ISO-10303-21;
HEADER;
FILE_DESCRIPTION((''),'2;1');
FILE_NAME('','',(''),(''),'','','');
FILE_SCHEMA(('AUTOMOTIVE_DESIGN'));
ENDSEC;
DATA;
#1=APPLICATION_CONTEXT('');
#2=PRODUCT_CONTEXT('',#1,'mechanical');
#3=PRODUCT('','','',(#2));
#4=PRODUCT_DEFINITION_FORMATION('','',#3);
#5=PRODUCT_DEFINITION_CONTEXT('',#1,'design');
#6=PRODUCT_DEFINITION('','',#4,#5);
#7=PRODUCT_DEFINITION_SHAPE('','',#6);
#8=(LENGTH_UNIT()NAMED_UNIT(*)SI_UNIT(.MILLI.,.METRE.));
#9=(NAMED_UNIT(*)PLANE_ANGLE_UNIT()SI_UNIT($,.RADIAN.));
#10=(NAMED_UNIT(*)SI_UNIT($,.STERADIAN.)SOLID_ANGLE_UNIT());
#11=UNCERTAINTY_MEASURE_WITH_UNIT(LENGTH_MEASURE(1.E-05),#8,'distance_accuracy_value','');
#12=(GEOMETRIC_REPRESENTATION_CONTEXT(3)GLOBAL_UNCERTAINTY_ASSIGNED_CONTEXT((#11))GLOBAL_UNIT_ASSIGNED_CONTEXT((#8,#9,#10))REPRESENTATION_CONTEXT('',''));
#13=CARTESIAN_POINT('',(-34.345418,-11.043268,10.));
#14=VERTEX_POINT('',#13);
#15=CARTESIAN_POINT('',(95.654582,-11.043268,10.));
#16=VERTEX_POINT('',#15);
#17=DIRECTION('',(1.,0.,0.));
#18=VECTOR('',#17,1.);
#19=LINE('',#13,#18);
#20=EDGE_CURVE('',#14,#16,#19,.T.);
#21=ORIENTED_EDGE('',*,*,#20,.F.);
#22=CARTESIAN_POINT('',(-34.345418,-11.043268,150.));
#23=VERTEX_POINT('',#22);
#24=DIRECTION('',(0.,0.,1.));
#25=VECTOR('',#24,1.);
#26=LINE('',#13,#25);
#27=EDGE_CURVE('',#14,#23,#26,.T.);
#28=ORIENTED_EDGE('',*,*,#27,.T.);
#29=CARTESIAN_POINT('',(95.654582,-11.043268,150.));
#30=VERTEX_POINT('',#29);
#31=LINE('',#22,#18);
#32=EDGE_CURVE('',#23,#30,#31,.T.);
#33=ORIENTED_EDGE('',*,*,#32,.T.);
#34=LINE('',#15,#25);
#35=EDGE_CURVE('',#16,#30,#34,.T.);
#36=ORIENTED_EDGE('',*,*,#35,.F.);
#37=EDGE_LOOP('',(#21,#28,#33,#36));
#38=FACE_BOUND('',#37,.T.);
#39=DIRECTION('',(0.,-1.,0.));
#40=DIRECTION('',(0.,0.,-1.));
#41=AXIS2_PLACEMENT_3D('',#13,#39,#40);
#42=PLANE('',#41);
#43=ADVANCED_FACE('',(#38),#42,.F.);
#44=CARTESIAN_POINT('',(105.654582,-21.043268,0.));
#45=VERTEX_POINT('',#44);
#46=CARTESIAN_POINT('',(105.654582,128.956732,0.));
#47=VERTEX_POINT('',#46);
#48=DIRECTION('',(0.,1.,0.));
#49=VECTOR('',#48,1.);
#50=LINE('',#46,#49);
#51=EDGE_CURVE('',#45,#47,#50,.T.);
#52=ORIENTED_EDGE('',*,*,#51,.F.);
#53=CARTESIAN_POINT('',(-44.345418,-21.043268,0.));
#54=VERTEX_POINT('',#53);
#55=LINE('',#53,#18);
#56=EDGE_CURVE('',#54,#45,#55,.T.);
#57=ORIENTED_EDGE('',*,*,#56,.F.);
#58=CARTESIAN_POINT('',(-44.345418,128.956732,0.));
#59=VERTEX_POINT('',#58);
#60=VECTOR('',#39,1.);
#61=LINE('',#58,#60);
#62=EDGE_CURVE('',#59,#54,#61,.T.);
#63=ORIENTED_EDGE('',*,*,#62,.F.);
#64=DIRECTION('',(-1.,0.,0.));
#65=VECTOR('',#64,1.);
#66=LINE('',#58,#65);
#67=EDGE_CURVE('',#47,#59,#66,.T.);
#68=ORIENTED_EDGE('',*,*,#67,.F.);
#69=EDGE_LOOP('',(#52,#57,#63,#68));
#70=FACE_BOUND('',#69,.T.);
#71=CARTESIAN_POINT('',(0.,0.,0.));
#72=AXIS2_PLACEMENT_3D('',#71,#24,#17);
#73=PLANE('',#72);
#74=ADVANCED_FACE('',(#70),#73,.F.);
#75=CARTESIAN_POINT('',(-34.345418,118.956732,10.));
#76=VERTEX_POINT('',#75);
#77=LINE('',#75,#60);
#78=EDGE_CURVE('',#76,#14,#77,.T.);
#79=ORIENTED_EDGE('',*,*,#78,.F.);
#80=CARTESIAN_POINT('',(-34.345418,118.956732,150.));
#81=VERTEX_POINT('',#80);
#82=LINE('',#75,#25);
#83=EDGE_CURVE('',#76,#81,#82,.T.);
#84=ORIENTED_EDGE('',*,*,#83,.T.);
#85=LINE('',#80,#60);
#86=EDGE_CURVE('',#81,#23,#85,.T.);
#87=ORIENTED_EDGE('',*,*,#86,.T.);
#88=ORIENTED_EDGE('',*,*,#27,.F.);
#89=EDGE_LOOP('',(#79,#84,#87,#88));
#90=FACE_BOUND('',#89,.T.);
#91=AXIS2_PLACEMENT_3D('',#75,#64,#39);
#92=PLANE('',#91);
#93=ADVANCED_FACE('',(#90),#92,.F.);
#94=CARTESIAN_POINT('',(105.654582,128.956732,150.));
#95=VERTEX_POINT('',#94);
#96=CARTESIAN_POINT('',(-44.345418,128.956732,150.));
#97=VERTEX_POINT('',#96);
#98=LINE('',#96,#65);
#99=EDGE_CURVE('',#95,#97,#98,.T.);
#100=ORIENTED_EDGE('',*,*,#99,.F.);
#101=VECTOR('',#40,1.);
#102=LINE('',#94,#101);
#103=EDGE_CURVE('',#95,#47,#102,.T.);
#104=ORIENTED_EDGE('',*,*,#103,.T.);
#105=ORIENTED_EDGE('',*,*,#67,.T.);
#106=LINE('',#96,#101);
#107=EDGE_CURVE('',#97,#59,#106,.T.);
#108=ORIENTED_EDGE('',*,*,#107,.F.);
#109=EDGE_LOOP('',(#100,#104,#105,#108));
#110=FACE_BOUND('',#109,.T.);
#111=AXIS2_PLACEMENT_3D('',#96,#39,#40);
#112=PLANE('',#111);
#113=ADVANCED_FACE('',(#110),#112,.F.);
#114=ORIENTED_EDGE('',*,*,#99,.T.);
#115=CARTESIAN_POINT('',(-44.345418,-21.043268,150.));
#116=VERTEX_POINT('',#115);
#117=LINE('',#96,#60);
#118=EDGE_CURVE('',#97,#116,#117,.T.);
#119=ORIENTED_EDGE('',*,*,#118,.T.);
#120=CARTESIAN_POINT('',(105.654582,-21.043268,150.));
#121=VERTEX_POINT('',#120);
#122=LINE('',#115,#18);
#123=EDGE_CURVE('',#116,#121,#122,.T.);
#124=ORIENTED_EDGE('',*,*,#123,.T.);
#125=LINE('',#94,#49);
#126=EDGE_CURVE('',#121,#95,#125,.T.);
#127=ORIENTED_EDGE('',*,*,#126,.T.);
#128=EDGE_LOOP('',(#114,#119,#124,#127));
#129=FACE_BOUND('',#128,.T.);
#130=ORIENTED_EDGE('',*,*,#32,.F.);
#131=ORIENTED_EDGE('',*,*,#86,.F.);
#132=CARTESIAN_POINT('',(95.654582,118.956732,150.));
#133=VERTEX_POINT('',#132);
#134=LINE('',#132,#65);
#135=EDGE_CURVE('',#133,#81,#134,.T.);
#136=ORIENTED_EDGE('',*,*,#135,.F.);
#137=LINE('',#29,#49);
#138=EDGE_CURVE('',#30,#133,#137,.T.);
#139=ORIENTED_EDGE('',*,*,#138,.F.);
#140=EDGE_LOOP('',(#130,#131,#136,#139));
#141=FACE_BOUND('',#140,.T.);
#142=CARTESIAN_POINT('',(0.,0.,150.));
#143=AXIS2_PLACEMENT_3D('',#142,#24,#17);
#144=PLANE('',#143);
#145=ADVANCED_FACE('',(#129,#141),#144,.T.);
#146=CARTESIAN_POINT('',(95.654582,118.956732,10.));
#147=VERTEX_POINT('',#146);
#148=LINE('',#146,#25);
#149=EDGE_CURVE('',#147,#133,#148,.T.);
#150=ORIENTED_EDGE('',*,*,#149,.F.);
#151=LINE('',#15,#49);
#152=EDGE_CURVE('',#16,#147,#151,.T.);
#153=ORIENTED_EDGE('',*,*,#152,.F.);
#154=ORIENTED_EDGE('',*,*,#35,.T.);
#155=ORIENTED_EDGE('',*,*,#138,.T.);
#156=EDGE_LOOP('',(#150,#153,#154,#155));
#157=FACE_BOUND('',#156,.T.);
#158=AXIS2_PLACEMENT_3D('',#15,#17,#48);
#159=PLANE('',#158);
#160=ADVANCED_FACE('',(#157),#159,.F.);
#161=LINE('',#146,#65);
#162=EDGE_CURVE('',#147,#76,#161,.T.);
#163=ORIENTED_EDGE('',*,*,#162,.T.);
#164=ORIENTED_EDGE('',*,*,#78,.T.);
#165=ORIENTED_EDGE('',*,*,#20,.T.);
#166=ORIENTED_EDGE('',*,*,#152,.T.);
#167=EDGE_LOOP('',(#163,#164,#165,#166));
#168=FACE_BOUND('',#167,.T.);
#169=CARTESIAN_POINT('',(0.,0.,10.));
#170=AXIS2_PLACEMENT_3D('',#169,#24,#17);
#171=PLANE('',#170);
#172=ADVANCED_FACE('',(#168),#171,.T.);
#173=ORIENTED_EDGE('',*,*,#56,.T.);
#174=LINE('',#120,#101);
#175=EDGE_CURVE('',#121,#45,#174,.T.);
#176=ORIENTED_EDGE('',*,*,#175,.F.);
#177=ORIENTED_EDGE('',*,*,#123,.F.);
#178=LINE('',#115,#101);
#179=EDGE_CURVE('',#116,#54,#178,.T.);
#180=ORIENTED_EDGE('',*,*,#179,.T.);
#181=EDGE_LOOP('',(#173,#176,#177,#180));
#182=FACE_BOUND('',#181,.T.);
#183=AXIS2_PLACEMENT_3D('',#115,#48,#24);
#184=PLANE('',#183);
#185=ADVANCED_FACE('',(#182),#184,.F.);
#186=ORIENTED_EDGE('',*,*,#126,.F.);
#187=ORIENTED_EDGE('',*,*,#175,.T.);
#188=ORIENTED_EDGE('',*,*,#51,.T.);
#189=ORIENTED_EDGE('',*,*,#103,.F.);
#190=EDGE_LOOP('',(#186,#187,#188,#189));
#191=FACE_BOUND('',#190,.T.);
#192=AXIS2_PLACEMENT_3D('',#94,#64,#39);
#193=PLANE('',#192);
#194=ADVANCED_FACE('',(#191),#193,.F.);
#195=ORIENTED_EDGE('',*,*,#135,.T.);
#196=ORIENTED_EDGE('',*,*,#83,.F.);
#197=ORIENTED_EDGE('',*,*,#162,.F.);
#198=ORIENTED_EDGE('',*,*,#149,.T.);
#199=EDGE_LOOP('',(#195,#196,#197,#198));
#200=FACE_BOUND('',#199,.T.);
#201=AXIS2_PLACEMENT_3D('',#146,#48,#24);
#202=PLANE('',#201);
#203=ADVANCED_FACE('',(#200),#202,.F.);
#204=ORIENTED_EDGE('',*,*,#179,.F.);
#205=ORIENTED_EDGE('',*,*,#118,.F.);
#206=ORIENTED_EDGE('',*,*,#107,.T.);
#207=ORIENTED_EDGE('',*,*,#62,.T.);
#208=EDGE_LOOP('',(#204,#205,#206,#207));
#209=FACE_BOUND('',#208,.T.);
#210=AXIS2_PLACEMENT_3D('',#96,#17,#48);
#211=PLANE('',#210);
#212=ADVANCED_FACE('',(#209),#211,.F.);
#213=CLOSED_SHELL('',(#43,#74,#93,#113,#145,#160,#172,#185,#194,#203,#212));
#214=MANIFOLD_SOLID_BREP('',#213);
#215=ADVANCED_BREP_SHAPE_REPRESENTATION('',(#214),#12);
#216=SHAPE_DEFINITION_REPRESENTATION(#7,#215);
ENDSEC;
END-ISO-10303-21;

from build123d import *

# Parameters (mm, degrees)
SKETCH1_W           = 150
SKETCH1_H           = 150
BOSS_EXTRUDE1_DEPTH = 150
SKETCH3_W           = 130
SKETCH3_H           = 130
CUT_EXTRUDE1_DEPTH  = 140


with BuildPart() as part:
    # Sketch1 → Boss-Extrude1 (new body)
    with BuildSketch(Plane.XY):
        with Locations((30.654582286, 53.956732077)):
            Rectangle(SKETCH1_W, SKETCH1_H)
    extrude(amount=BOSS_EXTRUDE1_DEPTH)

    # Sketch3 → Cut-Extrude1 (cut)
    with BuildSketch(Plane.XY.offset(150)):
        with Locations((30.654582286, 53.956732077)):
            Rectangle(SKETCH3_W, SKETCH3_H)
    extrude(amount=-CUT_EXTRUDE1_DEPTH, mode=Mode.SUBTRACT)


solid = part.part
